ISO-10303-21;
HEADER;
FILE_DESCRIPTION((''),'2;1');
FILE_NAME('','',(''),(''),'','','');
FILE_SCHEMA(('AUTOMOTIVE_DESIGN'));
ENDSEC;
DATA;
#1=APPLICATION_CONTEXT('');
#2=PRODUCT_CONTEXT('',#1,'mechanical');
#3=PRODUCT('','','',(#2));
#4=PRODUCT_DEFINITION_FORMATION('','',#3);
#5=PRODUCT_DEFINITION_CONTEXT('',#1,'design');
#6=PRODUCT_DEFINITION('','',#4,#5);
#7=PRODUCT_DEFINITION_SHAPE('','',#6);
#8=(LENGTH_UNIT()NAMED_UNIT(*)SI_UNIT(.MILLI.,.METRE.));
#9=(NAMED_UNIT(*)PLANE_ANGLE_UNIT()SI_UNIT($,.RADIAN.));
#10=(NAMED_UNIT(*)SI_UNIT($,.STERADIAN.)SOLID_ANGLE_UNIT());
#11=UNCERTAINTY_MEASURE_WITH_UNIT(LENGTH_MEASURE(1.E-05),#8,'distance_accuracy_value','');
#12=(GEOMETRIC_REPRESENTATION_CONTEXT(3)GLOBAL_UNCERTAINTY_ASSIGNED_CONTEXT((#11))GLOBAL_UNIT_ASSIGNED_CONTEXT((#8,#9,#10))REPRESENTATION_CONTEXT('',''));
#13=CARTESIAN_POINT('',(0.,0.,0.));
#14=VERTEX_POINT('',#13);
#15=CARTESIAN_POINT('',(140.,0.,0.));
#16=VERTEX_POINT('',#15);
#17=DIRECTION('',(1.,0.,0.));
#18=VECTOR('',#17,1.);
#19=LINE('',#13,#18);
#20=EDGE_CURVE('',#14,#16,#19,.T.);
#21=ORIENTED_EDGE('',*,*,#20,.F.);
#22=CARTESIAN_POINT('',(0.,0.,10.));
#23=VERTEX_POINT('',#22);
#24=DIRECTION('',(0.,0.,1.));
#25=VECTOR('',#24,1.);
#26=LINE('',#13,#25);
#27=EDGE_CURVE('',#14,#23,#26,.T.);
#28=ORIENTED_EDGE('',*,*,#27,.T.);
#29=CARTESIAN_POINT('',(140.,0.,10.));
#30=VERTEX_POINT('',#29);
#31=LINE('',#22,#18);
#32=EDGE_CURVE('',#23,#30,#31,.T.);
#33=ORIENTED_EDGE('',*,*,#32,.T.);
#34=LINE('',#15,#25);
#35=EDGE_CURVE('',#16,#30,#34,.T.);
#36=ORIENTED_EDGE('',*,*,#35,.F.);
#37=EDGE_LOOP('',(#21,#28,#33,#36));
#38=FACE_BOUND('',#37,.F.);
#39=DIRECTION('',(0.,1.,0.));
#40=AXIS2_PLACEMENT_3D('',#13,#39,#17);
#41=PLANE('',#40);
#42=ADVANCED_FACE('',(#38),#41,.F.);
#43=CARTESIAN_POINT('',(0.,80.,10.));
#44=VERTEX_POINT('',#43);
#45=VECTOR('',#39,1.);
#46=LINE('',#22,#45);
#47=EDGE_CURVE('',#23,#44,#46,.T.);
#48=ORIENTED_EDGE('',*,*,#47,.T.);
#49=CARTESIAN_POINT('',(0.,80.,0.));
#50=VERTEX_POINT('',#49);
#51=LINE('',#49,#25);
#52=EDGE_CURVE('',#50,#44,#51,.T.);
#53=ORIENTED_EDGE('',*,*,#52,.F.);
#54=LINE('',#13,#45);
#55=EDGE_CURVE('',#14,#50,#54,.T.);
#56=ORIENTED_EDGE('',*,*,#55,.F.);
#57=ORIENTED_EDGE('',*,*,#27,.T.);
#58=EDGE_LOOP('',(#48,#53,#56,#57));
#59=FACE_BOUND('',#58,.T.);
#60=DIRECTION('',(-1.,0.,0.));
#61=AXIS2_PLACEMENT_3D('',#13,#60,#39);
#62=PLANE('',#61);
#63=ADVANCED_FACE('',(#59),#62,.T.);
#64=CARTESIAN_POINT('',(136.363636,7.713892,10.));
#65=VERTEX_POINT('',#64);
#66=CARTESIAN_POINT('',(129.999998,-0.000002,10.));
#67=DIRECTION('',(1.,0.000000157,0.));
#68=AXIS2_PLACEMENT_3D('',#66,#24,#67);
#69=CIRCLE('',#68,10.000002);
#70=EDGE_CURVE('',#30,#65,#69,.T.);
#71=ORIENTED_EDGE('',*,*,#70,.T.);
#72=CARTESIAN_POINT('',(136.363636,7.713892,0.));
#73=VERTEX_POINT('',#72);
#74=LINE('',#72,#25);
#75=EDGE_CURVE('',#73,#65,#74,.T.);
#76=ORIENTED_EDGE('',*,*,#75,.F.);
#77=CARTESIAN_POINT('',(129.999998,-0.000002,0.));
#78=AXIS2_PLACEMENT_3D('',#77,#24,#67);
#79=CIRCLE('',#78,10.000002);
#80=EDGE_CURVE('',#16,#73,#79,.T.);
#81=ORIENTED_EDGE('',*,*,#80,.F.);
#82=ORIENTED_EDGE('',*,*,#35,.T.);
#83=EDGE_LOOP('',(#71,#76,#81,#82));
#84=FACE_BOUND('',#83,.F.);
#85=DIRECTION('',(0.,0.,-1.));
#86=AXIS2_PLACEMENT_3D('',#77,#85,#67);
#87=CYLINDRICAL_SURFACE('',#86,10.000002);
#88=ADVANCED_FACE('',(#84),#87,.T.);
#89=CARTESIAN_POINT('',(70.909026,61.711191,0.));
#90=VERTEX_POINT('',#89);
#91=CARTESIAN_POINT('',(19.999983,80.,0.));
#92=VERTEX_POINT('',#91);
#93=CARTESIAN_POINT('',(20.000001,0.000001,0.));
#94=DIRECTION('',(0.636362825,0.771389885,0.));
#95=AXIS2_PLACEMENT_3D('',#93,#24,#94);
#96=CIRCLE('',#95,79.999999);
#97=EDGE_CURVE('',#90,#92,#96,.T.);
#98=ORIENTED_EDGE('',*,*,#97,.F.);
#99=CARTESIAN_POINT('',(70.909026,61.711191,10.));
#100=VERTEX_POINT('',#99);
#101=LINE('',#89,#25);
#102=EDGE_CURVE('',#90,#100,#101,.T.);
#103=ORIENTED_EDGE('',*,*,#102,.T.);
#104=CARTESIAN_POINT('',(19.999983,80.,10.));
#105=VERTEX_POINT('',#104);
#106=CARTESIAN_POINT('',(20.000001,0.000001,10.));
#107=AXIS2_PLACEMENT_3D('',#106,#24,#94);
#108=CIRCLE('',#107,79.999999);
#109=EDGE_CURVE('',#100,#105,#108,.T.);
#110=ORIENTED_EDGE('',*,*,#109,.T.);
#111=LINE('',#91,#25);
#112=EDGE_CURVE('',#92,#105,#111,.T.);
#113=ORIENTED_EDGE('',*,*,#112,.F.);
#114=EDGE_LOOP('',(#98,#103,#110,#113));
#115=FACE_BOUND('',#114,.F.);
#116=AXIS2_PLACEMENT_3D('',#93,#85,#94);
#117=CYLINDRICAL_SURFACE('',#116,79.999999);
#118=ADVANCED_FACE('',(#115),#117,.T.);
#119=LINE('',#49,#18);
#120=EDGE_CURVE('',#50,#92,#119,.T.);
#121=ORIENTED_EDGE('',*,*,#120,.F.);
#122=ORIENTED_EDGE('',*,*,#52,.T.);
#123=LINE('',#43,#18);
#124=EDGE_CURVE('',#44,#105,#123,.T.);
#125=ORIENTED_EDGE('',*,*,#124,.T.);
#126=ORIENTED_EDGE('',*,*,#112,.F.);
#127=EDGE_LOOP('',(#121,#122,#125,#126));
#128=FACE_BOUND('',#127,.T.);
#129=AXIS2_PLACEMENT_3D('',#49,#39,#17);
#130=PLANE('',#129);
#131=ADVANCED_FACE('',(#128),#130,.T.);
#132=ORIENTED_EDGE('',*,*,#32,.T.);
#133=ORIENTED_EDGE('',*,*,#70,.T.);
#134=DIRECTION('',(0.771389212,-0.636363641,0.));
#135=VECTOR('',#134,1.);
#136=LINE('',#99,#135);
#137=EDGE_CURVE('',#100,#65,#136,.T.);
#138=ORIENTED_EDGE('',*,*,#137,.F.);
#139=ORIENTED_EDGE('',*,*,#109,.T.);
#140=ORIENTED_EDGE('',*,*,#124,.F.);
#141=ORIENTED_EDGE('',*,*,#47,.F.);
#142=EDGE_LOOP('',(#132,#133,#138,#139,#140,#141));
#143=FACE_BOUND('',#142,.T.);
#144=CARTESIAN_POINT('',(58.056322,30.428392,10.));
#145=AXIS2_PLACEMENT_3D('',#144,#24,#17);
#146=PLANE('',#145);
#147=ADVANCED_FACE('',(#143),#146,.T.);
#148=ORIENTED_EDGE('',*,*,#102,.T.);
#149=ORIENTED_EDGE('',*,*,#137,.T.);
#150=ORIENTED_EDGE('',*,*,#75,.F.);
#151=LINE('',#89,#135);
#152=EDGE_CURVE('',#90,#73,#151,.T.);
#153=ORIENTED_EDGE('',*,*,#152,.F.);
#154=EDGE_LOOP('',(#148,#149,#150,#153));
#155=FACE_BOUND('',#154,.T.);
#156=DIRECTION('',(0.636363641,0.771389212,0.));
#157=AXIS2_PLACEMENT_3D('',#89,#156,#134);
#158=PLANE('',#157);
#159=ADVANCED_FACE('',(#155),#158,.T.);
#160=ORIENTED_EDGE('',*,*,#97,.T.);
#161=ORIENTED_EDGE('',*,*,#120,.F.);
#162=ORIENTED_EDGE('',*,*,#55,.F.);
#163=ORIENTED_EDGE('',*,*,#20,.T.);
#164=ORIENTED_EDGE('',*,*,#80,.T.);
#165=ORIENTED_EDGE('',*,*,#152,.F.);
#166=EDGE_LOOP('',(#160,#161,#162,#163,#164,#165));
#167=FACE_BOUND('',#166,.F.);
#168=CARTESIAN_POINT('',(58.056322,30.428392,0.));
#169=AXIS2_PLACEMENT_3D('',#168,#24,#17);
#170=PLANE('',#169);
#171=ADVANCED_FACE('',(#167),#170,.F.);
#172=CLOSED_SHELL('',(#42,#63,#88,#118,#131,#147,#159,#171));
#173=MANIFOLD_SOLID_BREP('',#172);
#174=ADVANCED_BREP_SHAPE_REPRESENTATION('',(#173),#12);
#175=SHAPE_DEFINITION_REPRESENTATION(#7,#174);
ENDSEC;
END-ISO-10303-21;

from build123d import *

# Parameters (mm, degrees)
PAD_DEPTH = 10


with BuildPart() as part:
    # Sketch → Pad (new body)
    with BuildSketch(Plane.XY):
        with BuildLine():
            Line((0, 0), (140, 0))
            ThreePointArc((140, 0), (139.04534, 4.264014), (136.363636, 7.713892))
            Line((70.909026, 61.711191), (136.363636, 7.713892))
            ThreePointArc((70.909026, 61.711191), (47.047216, 75.289097), (19.999983, 80))
            Line((0, 80), (19.999983, 80))
            Line((0, 0), (0, 80))
        make_face()
    extrude(amount=PAD_DEPTH)


solid = part.part
